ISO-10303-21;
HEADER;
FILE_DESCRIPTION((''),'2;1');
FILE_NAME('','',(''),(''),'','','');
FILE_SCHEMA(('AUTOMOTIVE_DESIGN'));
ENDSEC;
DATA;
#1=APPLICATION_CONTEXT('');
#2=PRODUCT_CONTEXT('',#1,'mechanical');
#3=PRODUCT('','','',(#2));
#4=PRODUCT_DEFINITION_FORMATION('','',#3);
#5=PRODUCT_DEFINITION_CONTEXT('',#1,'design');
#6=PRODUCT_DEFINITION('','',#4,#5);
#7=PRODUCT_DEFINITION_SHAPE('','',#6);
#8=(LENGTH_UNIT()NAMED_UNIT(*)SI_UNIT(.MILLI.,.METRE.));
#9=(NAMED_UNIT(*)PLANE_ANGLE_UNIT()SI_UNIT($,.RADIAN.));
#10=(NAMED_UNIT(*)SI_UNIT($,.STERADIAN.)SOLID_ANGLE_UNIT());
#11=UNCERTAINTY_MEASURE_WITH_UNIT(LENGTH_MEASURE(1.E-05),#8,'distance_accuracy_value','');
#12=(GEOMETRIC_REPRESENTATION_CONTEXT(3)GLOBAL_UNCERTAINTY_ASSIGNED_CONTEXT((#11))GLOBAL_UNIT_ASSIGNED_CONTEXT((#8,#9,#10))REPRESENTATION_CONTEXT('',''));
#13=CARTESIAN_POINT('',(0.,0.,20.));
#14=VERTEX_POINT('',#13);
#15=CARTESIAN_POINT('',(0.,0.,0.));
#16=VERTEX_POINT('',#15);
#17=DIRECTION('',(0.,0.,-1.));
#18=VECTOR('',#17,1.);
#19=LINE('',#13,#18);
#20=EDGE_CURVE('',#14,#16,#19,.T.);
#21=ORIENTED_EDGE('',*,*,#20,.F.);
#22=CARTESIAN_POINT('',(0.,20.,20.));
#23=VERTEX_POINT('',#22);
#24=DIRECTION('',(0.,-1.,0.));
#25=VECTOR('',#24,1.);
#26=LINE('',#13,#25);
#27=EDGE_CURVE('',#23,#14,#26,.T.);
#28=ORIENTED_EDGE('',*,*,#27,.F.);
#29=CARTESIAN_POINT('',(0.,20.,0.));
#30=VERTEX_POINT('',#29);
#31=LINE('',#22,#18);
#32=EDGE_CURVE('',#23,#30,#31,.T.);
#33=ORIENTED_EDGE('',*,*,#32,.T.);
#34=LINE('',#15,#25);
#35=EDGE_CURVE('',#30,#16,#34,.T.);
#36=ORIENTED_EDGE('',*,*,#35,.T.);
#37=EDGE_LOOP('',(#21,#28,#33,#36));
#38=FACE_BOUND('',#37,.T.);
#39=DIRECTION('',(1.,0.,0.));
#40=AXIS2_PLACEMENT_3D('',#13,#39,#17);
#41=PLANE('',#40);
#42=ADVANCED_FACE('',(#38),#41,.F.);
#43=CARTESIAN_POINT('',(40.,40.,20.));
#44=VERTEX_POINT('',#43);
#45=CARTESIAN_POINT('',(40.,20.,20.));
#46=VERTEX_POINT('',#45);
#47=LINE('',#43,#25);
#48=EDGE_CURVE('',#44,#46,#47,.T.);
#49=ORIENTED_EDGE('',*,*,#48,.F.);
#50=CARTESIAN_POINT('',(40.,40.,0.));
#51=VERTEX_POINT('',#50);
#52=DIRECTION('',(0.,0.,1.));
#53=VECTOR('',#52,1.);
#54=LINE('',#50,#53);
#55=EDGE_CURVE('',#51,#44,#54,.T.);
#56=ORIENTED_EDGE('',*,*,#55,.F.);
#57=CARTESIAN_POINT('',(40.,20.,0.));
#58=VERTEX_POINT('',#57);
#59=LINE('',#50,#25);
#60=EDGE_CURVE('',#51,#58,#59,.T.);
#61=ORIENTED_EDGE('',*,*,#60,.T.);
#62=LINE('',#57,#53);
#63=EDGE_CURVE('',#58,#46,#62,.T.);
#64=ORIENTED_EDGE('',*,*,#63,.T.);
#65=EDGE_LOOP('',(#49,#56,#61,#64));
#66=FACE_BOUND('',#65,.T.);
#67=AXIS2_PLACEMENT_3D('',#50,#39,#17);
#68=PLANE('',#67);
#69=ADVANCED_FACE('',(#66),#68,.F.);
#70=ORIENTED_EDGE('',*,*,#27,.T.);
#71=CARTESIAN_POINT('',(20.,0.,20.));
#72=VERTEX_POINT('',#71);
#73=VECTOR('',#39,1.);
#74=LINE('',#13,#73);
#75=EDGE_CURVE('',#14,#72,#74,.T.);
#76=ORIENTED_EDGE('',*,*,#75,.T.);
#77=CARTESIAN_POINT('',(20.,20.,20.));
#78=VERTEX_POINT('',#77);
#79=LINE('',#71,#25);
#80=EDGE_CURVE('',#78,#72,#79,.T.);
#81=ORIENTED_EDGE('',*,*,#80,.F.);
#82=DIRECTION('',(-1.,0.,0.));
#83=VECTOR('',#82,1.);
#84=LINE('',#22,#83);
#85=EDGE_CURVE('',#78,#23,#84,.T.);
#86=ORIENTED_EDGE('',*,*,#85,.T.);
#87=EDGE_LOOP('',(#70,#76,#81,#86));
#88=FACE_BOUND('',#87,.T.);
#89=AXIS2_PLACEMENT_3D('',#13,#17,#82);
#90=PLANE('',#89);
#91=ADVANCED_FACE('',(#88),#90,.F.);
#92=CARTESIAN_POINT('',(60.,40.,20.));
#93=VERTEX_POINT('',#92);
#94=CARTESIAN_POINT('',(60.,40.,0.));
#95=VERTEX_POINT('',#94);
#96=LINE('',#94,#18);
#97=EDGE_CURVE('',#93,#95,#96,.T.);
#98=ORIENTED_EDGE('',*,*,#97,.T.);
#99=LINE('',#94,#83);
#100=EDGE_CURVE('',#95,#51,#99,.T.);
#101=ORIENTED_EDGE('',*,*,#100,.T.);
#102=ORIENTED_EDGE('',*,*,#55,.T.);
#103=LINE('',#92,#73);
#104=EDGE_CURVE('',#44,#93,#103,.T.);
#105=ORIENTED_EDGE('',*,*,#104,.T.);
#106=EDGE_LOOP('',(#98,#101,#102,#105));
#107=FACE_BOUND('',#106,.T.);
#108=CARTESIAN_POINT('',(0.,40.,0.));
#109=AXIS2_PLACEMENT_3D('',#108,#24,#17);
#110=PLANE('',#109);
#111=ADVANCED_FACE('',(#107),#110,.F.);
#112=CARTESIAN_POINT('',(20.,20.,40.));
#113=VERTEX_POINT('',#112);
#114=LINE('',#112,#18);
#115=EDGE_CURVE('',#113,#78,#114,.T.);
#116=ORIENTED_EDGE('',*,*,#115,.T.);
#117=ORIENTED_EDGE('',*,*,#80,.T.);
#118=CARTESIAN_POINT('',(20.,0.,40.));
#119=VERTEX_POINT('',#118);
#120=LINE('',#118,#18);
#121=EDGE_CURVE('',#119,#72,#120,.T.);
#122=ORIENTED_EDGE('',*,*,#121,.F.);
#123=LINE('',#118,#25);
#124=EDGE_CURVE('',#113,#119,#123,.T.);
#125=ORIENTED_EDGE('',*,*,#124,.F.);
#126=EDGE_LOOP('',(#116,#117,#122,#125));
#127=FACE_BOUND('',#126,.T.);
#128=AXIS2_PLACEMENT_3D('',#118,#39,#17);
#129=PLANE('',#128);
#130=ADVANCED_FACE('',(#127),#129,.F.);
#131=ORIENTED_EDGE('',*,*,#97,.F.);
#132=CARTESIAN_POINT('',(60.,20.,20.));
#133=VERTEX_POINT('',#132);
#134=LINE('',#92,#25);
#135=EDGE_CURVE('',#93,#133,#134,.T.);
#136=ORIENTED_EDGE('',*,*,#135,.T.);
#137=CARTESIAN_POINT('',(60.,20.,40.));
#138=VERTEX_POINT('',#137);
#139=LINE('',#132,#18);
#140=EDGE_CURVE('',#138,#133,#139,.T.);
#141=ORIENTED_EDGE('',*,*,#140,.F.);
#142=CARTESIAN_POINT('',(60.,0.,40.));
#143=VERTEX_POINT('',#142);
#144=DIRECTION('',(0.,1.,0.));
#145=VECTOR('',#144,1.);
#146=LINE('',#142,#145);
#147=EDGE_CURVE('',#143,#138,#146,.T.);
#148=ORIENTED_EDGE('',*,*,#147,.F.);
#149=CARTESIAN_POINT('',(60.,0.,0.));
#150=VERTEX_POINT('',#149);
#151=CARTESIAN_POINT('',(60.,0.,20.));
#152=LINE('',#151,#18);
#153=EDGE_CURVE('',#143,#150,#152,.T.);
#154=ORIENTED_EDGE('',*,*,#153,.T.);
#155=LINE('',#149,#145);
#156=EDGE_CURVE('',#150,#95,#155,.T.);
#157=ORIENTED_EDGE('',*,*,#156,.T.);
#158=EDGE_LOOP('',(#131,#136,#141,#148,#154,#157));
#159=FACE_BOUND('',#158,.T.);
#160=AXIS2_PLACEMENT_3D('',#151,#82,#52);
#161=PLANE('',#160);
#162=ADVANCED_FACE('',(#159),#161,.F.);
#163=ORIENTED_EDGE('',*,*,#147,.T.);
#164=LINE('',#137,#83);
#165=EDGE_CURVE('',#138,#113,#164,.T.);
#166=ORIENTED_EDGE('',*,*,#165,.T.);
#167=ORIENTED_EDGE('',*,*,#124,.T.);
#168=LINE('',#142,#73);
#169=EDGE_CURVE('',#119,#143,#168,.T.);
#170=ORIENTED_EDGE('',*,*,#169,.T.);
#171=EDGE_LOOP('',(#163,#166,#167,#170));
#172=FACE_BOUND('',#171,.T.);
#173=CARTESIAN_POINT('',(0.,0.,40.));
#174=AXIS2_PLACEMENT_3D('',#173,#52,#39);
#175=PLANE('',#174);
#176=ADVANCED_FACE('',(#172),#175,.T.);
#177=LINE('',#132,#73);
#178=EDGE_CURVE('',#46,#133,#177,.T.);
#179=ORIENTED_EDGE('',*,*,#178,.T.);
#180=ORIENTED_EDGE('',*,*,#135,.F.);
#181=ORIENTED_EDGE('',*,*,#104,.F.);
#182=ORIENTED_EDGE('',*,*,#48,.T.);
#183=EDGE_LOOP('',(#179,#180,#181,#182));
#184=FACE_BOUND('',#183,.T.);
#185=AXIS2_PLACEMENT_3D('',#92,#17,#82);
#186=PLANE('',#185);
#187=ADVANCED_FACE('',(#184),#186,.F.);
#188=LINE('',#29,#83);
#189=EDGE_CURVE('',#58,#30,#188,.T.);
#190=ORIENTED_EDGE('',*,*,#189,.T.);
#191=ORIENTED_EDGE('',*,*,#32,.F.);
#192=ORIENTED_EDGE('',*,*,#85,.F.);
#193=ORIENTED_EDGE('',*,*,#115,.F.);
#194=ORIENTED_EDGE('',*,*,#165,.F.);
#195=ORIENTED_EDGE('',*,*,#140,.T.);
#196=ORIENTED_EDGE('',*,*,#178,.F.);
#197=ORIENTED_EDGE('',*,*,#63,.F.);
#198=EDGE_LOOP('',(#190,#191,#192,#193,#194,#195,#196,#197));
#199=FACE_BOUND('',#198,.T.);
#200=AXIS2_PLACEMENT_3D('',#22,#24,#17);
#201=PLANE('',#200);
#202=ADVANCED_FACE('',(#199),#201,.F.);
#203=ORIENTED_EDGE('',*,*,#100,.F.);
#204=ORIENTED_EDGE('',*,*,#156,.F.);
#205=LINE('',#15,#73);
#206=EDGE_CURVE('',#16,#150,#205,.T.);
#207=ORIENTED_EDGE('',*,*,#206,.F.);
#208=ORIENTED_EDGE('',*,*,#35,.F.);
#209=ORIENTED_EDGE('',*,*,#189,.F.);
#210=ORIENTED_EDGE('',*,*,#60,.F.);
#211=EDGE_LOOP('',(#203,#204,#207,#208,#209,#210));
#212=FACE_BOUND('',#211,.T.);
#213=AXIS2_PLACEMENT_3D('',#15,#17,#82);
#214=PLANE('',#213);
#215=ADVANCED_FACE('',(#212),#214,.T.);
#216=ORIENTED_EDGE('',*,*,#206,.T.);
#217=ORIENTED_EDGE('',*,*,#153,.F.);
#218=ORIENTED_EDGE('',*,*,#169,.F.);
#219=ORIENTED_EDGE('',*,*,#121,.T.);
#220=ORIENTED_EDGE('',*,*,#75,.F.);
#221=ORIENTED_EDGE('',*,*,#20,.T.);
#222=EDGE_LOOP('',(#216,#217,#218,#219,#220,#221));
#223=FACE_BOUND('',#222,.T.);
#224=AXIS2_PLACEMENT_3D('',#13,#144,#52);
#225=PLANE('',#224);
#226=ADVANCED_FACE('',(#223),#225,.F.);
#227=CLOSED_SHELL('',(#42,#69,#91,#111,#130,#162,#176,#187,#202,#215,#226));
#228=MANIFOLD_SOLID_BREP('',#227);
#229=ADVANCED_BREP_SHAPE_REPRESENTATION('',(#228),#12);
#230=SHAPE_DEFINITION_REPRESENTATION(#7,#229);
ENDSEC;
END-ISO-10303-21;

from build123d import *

# Parameters (mm, degrees)
ESBO_O1_W                = 60
ESBO_O1_H                = 20
RESSALTO_EXTRUS_O1_DEPTH = 20
ESBO_O2_W                = 40
ESBO_O2_H                = 20
RESSALTO_EXTRUS_O2_DEPTH = 20
ESBO_O3_W                = 20
ESBO_O3_H                = 20
RESSALTO_EXTRUS_O3_DEPTH = 20


with BuildPart() as part:
    # Esboço1 → Ressalto-extrusão1 (new body)
    with BuildSketch(Plane.XY):
        with Locations((30, 10)):
            Rectangle(ESBO_O1_W, ESBO_O1_H)
    extrude(amount=RESSALTO_EXTRUS_O1_DEPTH)

    # Esboço2 → Ressalto-extrusão2 (add)
    with BuildSketch(Plane.XY.offset(20)):
        with Locations((40, 10)):
            Rectangle(ESBO_O2_W, ESBO_O2_H)
    extrude(amount=RESSALTO_EXTRUS_O2_DEPTH)

    # Esboço3 → Ressalto-extrusão3 (add)
    with BuildSketch(Plane(origin=(0, 20, 0), x_dir=(1, 0, 0), z_dir=(0, 1, 0))):
        with Locations((50, -10)):
            Rectangle(ESBO_O3_W, ESBO_O3_H)
    extrude(amount=RESSALTO_EXTRUS_O3_DEPTH)


solid = part.part
